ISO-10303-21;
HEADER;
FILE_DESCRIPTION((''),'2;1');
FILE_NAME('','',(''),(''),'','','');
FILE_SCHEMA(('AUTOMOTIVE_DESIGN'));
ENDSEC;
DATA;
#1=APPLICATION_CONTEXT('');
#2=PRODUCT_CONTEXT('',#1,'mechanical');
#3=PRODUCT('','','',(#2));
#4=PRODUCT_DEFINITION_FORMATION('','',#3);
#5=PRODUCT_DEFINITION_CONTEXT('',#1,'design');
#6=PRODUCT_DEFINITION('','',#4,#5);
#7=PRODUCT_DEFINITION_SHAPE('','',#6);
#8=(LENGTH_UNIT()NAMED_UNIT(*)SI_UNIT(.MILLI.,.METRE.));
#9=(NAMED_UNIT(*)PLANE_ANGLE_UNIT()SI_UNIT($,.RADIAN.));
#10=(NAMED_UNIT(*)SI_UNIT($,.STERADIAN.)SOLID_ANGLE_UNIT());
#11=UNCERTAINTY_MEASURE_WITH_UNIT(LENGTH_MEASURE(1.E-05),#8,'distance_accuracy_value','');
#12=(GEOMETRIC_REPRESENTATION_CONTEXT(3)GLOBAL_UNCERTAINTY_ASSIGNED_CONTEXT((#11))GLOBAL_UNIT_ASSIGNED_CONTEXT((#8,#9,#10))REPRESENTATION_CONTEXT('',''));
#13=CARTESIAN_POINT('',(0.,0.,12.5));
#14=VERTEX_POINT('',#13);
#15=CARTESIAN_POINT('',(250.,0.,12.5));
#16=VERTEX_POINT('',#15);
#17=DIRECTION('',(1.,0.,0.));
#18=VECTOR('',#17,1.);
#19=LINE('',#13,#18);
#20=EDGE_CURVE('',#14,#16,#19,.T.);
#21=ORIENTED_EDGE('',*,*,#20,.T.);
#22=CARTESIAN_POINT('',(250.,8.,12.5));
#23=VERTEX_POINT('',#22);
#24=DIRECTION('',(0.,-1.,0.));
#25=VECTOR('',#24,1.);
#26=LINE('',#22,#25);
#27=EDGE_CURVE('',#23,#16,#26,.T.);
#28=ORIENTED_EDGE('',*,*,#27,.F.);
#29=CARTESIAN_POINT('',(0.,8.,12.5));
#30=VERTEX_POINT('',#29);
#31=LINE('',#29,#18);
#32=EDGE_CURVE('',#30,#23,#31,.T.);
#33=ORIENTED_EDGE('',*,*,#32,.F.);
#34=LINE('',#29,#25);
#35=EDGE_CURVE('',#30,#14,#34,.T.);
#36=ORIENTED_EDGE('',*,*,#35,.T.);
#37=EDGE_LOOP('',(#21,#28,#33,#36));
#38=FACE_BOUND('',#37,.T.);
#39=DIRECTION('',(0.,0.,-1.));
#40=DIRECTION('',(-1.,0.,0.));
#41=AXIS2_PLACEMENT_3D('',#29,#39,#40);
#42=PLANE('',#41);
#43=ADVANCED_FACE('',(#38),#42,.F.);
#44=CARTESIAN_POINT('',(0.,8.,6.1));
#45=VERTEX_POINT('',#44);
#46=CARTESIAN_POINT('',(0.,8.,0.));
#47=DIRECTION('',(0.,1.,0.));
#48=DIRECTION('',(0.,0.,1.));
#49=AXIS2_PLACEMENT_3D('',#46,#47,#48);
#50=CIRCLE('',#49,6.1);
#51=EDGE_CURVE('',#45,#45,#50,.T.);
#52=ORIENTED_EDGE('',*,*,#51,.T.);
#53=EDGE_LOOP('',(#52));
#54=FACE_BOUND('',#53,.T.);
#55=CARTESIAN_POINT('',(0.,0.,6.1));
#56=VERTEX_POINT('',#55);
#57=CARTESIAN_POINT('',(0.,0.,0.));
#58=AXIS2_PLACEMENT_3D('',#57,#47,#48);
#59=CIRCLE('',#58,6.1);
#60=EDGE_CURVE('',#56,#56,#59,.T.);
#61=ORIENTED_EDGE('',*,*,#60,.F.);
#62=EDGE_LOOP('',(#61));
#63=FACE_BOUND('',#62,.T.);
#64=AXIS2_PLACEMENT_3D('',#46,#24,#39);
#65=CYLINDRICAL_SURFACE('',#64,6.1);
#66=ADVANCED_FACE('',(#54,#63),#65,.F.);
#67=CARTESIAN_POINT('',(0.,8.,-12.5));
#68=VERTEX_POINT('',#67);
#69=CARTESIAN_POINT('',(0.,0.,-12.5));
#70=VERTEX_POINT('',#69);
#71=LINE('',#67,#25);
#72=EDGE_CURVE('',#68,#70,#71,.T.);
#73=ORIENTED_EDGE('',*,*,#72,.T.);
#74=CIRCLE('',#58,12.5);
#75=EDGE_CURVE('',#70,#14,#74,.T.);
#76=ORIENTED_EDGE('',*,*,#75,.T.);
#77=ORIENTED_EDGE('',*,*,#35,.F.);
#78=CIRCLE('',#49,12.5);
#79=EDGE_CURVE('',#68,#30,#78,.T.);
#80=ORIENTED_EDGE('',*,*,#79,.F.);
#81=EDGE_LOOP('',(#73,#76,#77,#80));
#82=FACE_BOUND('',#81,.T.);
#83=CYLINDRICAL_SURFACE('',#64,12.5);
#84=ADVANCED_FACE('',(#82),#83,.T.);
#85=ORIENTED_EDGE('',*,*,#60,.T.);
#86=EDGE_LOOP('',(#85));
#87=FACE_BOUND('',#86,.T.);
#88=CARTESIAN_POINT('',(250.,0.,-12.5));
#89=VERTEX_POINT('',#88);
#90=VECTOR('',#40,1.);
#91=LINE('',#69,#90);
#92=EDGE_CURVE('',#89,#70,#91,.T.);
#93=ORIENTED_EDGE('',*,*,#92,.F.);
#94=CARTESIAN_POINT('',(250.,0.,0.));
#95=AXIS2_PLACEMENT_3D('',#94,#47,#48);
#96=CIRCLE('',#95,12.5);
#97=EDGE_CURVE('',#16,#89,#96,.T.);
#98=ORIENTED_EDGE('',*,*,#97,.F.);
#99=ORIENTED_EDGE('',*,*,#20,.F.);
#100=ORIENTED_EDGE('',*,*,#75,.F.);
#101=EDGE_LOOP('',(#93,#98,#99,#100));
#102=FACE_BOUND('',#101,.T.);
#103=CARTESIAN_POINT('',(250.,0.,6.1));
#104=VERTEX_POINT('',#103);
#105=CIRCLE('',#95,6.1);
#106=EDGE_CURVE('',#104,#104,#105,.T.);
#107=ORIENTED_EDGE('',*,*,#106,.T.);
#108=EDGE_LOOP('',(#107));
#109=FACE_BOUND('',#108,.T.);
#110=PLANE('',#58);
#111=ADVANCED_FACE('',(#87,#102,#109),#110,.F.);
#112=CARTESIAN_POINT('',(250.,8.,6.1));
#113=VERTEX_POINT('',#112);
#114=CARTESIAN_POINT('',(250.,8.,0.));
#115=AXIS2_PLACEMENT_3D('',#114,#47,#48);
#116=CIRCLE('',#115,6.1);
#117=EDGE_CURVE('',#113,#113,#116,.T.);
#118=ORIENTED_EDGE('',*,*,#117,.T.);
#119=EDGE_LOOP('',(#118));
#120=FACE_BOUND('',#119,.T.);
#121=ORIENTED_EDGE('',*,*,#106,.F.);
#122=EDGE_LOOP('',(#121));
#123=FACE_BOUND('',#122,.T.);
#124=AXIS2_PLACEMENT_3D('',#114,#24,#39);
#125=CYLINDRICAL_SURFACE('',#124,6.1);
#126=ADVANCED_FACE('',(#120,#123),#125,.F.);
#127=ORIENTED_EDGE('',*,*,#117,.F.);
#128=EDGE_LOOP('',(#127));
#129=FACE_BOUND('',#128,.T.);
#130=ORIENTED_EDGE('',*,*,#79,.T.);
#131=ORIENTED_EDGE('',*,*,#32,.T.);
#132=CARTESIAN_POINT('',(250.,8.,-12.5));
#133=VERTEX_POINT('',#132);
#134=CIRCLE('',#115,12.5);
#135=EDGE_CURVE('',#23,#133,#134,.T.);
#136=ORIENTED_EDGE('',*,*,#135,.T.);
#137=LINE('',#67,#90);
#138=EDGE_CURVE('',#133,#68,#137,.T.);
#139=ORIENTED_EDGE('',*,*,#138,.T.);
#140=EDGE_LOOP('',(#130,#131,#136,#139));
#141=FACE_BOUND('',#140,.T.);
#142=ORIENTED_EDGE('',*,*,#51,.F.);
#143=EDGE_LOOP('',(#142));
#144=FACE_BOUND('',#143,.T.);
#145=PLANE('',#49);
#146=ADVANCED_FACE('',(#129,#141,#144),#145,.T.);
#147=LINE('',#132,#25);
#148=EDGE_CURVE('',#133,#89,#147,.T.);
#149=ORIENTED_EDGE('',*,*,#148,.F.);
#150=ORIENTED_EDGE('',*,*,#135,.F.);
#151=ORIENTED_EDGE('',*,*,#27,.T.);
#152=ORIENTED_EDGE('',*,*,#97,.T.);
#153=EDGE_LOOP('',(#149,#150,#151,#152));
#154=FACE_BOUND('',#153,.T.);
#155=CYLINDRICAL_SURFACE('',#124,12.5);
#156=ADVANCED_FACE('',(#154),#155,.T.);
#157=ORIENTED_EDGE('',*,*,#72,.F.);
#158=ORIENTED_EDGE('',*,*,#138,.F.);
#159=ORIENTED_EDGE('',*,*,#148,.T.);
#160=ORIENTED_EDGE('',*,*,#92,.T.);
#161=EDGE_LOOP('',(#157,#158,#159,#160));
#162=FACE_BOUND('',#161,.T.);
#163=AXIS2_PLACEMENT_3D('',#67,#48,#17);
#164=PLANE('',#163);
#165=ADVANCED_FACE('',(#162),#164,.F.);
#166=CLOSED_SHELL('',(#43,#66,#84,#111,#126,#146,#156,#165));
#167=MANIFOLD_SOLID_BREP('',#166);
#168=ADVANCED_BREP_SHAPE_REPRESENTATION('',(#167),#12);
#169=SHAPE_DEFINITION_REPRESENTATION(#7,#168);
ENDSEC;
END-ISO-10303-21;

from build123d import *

# Parameters (mm, degrees)
SKETCH_1_R      = 6.1
EXTRUDE_1_DEPTH = 8


with BuildPart() as part:
    # 草图1 → 凸台-拉伸1 (new body)
    with BuildSketch(Plane(origin=(0, 0, 0), x_dir=(1, 0, 0), z_dir=(0, 1, 0))):
        with BuildLine():
            Line((0, 12.5), (250, 12.5))
            ThreePointArc((250, 12.5), (262.5, 0), (250, -12.5))
            Line((250, -12.5), (0, -12.5))
            ThreePointArc((0, -12.5), (-12.5, 0), (0, 12.5))
        make_face()
        with Locations(Location((0, 0, 0), (0, 0, 270))):
            Circle(SKETCH_1_R, mode=Mode.SUBTRACT)
        with Locations(Location((250, 0, 0), (0, 0, 270))):
            Circle(SKETCH_1_R, mode=Mode.SUBTRACT)
    extrude(amount=EXTRUDE_1_DEPTH)


solid = part.part
